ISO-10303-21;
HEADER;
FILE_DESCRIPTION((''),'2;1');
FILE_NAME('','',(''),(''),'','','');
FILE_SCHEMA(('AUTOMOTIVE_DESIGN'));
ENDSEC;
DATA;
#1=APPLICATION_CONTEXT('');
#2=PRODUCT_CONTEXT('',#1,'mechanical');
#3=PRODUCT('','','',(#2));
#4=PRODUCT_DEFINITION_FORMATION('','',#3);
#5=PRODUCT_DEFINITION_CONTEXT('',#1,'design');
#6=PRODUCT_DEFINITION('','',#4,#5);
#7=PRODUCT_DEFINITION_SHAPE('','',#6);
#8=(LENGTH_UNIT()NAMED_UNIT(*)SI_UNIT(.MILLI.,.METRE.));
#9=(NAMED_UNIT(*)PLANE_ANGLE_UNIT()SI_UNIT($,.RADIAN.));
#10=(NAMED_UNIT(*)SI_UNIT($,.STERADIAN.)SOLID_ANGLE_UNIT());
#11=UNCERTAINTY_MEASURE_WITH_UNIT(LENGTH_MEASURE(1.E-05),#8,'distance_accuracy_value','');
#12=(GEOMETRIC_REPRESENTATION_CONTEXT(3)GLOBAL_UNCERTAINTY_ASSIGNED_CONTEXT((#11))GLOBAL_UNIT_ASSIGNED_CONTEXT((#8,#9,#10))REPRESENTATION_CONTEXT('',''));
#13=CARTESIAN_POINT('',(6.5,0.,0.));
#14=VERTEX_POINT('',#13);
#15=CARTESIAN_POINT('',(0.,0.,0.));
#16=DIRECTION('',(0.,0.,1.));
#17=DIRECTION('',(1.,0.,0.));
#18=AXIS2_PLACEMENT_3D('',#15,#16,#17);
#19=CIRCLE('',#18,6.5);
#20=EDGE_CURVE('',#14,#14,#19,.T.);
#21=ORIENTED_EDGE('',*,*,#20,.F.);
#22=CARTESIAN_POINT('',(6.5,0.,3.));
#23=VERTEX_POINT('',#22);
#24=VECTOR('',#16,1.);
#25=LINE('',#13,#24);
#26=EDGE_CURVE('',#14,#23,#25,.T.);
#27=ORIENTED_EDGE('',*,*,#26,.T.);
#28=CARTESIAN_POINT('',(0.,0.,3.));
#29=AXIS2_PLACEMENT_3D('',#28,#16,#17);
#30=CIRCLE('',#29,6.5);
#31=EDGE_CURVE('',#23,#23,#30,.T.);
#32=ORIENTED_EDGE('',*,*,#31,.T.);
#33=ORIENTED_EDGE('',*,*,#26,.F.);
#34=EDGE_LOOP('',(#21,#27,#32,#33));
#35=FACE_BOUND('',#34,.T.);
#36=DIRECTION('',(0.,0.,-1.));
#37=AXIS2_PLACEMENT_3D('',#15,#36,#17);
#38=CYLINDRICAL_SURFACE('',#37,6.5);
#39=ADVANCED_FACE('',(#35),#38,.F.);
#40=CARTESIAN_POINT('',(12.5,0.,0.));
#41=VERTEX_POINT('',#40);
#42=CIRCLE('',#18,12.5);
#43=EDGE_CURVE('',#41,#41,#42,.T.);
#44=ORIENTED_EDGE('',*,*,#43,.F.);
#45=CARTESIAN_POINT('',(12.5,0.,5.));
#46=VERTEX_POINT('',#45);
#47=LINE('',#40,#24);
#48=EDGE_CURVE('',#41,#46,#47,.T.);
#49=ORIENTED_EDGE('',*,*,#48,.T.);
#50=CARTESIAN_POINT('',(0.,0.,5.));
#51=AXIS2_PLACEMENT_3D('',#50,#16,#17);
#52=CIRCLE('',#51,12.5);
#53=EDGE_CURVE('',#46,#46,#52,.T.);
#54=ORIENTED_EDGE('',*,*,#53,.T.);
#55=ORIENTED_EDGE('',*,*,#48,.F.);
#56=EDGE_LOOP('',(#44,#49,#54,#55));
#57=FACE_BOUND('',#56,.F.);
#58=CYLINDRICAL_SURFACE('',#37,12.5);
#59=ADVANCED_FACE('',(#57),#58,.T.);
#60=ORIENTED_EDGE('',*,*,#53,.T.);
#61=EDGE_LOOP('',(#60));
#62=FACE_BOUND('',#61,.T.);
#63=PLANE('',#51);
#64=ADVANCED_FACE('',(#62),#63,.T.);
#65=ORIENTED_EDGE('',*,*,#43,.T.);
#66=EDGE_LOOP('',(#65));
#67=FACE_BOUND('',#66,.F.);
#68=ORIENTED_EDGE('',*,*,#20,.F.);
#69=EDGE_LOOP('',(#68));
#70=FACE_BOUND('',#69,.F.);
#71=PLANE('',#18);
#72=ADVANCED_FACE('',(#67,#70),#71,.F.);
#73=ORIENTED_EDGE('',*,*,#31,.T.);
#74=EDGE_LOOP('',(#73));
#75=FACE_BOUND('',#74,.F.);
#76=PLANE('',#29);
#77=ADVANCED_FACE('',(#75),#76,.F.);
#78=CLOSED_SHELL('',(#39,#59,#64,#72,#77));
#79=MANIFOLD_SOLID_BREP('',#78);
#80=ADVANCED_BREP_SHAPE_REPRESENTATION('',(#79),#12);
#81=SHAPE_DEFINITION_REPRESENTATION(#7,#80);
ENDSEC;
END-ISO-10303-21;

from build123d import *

# Parameters (mm, degrees)
F0_R     = 12.5
F1_DEPTH = 5
F2_R     = 6.5
F3_DEPTH = 2.54
F4_DEPTH = 3
F5_R     = 6.5
F6_DEPTH = 3


with BuildPart() as f1:
    # F0 (on Top) → F1 (new body)
    with BuildSketch(Plane.XY):
        Circle(F0_R)
    extrude(amount=F1_DEPTH)

    # F2 (on Top) → F3 (join)
    with BuildSketch(Plane.XY):
        Circle(F2_R)
    extrude(amount=F3_DEPTH)

    # F2 (on Top) → F4 (join)
    with BuildSketch(Plane.XY):
        Circle(F2_R)
    extrude(amount=F4_DEPTH)

    # F5 (on Top) → F6 (cut)
    with BuildSketch(Plane.XY):
        Circle(F5_R)
    extrude(amount=F6_DEPTH, mode=Mode.SUBTRACT)


solid = f1.part
